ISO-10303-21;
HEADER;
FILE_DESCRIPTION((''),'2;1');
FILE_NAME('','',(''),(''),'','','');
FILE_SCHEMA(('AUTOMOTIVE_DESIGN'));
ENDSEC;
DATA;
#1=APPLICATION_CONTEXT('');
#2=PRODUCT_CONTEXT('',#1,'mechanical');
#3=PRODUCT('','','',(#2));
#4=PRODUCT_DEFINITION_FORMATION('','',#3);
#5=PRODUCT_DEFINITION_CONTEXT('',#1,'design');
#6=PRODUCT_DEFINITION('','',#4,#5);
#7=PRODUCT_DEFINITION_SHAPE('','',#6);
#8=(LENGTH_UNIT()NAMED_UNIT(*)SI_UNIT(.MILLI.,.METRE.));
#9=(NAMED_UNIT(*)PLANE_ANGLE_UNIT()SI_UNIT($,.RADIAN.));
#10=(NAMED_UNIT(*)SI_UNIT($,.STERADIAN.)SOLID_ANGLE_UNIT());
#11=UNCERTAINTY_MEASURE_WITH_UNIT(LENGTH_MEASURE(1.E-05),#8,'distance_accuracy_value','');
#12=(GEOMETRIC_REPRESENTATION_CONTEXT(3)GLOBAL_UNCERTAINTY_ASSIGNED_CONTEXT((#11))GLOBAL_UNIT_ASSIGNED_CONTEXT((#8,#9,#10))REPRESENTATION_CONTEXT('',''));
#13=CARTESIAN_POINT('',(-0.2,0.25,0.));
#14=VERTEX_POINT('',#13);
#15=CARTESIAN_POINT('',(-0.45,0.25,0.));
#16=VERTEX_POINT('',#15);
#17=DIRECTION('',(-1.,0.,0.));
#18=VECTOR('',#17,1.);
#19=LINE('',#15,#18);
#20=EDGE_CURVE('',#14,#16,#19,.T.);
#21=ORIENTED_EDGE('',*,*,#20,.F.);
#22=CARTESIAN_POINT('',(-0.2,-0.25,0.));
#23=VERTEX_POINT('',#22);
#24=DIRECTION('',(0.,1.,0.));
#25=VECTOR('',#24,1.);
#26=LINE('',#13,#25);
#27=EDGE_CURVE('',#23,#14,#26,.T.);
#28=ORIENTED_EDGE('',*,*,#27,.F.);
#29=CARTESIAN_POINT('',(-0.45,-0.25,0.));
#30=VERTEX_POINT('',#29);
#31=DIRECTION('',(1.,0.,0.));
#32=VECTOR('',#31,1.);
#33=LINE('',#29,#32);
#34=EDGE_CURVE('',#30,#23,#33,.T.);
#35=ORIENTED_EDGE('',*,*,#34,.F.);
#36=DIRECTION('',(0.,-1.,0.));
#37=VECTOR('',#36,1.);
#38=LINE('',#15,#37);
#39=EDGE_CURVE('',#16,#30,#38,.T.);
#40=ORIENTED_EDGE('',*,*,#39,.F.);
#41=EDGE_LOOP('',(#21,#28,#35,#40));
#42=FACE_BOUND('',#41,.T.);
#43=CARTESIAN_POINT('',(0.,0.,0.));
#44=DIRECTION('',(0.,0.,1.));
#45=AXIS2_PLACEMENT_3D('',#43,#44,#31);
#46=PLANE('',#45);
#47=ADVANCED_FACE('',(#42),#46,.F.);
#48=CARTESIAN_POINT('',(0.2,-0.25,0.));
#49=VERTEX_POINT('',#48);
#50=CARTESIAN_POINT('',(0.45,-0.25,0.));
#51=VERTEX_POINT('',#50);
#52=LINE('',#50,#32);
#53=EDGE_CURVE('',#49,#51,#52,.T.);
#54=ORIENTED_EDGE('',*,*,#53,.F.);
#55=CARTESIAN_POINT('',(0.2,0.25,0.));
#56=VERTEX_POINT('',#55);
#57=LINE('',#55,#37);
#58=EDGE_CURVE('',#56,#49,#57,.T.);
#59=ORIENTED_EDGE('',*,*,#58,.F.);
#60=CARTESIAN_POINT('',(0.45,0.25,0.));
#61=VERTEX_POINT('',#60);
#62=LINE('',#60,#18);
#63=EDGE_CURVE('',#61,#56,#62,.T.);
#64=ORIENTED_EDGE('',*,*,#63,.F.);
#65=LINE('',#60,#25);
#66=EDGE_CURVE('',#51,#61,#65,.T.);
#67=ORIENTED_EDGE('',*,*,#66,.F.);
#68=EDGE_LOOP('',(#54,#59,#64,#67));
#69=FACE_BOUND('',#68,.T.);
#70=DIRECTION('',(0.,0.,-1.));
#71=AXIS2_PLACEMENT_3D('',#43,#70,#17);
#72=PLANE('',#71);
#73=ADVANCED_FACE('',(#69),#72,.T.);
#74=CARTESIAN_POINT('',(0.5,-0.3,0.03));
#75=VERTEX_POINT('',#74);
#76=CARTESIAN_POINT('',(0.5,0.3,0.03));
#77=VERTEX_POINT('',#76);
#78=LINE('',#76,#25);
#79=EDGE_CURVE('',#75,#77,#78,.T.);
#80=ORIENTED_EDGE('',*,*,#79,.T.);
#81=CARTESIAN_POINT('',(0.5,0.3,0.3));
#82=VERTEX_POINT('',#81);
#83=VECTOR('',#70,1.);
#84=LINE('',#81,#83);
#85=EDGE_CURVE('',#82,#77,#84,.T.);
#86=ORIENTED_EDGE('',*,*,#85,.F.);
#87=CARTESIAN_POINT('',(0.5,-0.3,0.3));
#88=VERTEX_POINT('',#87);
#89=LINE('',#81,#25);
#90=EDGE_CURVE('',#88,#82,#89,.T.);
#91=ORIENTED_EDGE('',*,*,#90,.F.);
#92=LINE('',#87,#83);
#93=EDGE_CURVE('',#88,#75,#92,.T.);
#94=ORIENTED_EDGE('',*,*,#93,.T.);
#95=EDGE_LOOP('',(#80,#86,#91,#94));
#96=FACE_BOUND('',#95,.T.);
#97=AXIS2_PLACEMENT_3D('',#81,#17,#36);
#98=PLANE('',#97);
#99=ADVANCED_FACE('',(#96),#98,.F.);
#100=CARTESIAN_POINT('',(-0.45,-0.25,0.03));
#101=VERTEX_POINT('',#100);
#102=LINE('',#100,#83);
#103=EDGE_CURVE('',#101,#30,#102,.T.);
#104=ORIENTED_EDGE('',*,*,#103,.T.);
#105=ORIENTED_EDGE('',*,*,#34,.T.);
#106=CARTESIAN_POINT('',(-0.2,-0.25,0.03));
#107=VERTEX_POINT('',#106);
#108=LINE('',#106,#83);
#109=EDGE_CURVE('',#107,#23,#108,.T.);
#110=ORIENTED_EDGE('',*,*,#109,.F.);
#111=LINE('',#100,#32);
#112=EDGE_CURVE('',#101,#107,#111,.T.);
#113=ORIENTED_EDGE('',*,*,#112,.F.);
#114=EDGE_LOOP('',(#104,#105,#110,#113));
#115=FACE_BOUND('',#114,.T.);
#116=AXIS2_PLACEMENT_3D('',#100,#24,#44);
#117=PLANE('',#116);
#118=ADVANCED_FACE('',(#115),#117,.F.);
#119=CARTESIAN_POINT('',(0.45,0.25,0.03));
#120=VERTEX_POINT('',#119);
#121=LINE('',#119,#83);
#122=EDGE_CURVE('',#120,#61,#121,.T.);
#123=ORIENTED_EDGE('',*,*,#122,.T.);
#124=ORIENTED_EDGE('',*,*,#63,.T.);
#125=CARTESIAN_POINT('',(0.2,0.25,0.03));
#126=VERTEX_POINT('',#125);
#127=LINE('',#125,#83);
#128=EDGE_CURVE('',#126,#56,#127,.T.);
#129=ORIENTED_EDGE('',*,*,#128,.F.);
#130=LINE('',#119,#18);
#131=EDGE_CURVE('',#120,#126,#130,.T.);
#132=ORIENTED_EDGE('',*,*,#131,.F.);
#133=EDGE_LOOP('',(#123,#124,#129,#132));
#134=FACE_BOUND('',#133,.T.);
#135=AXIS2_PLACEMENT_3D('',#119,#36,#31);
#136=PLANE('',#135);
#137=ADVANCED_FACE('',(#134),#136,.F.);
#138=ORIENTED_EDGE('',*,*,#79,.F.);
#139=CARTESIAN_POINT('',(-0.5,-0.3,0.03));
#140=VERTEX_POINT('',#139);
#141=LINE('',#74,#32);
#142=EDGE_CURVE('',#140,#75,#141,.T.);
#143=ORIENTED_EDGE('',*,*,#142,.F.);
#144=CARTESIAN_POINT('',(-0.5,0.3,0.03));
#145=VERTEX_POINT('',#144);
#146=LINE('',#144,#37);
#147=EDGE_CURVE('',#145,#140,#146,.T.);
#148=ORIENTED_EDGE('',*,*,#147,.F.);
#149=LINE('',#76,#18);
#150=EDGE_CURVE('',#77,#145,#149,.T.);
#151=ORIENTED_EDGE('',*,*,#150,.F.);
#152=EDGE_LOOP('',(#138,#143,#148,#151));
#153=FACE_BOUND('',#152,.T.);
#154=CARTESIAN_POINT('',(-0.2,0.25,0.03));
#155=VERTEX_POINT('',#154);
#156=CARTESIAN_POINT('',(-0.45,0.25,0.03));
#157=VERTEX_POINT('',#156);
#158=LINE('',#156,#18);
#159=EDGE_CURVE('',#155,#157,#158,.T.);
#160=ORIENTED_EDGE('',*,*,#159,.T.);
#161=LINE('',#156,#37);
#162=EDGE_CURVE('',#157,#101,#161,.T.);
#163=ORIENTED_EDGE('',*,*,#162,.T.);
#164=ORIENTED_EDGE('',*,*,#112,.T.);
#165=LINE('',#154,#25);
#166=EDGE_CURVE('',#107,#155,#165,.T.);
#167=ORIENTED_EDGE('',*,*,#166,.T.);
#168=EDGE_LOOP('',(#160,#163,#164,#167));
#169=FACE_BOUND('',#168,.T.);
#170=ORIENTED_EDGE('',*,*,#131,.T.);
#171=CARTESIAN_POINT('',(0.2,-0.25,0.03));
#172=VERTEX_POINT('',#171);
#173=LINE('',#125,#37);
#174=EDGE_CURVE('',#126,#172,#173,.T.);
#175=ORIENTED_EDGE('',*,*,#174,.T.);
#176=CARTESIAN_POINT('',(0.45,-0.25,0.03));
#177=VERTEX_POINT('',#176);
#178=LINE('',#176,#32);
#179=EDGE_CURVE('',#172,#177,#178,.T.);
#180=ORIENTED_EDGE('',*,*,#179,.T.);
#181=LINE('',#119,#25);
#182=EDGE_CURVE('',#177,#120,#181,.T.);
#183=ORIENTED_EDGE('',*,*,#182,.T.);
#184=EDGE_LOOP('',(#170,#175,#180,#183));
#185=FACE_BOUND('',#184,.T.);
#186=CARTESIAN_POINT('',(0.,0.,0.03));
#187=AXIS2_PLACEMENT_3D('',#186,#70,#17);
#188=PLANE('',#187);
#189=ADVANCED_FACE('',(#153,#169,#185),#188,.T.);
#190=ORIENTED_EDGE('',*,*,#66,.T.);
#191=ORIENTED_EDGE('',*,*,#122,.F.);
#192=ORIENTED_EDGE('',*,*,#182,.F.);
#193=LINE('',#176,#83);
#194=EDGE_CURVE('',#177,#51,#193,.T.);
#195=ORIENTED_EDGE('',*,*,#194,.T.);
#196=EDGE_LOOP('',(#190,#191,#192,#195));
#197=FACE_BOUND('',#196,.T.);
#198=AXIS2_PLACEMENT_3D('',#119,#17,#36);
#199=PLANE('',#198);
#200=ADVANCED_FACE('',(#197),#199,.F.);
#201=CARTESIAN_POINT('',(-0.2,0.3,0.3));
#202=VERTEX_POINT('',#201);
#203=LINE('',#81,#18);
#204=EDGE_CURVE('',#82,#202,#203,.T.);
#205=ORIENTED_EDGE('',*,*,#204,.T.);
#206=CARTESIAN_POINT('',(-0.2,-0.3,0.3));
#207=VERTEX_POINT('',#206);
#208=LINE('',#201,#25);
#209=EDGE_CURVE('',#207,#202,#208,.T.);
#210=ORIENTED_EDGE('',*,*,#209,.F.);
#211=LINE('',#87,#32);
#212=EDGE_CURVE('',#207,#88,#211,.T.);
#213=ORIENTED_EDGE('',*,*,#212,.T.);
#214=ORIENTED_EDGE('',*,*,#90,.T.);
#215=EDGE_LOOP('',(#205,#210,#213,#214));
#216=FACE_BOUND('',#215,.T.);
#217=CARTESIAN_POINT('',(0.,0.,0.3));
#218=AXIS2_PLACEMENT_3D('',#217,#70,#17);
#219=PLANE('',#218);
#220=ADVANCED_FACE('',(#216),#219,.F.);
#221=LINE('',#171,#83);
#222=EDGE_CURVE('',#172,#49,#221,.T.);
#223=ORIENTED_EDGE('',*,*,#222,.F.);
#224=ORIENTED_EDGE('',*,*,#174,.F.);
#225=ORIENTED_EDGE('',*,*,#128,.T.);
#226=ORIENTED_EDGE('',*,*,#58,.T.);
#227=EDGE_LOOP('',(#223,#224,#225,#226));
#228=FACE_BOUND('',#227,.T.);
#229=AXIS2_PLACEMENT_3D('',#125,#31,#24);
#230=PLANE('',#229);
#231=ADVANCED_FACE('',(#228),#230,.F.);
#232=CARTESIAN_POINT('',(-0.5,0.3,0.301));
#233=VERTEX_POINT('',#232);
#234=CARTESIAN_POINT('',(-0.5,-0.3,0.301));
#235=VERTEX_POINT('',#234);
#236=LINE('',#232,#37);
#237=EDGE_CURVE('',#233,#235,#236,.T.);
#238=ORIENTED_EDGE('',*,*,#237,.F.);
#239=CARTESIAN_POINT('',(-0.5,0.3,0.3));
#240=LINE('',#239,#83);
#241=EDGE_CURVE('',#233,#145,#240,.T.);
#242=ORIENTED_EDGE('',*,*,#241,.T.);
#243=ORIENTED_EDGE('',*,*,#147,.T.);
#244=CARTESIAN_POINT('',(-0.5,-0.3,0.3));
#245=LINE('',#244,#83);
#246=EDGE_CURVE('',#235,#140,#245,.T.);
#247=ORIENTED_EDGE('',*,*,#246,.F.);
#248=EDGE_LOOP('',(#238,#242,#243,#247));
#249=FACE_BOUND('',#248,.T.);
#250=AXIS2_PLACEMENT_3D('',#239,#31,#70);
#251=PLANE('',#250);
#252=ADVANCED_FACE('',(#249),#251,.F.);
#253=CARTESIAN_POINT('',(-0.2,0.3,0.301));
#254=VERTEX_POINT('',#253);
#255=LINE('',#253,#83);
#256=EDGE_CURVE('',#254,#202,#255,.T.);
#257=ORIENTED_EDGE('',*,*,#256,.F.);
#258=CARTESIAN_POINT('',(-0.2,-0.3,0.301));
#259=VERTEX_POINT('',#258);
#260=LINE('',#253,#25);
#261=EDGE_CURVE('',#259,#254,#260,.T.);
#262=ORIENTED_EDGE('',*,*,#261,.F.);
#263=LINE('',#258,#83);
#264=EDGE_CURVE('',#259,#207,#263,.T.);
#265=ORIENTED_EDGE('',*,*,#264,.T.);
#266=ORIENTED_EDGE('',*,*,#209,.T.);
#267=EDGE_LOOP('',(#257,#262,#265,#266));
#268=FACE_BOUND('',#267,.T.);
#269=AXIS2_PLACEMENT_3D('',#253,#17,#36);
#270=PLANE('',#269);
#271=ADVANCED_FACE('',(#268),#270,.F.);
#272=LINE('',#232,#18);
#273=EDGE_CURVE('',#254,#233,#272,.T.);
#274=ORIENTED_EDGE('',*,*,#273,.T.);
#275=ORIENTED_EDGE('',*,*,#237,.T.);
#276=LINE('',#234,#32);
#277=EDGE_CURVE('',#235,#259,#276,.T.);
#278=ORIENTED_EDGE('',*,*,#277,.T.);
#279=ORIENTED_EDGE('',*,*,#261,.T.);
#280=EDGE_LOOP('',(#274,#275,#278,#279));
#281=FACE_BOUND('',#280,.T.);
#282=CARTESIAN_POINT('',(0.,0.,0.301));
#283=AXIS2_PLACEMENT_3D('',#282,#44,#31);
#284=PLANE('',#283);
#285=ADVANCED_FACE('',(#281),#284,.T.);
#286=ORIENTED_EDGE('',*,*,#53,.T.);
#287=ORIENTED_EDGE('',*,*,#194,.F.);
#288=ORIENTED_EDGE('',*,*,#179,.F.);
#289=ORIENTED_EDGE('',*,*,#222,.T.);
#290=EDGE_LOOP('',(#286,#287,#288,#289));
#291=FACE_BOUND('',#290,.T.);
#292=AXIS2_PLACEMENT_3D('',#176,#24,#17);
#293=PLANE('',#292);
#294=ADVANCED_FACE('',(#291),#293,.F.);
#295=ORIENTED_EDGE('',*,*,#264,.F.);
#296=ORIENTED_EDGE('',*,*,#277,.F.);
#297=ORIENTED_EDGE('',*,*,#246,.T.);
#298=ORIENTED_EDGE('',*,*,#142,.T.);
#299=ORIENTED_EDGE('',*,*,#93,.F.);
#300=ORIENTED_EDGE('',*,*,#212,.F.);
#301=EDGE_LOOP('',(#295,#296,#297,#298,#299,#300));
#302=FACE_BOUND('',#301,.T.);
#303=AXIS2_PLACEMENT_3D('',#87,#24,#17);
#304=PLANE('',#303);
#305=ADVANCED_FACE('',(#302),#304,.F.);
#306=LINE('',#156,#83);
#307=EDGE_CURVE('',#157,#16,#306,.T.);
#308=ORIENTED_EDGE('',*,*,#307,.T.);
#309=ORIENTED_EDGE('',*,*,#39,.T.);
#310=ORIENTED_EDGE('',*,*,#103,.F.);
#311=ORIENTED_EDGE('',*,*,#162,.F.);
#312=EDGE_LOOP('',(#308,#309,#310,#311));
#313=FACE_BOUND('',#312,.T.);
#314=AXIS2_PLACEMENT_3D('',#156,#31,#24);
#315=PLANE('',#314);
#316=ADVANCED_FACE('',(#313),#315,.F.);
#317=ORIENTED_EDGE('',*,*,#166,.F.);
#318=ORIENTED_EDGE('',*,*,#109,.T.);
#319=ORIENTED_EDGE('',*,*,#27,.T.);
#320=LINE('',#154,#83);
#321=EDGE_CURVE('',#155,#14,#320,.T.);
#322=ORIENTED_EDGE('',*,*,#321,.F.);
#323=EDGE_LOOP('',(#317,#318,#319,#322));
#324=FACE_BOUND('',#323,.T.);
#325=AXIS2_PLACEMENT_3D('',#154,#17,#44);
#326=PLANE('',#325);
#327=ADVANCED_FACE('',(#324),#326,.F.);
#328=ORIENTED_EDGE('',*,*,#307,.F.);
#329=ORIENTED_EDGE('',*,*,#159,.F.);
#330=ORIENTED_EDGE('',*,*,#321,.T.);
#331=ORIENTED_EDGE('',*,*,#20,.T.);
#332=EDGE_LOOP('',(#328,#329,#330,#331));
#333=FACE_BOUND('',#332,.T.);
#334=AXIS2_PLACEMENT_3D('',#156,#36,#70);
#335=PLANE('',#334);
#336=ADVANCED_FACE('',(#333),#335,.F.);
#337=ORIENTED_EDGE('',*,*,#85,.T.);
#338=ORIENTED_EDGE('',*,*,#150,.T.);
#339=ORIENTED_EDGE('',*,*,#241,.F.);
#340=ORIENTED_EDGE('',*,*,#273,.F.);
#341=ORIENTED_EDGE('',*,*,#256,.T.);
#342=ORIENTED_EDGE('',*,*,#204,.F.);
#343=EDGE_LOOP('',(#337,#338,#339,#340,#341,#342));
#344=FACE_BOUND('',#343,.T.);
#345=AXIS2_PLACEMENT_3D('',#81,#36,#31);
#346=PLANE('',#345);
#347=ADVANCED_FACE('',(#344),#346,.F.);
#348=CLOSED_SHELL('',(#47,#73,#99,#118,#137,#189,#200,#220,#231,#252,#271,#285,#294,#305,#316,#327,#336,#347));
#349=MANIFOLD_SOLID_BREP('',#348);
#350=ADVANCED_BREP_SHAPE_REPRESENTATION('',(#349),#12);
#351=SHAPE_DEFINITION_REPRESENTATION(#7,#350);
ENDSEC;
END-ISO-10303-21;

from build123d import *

# Parameters (mm, degrees)
ESQUISSE1_W  = 0.25
ESQUISSE1_H  = 0.5
PADS_DEPTH   = 0.03
PADS_2_DEPTH = 0.03
ESQUISSE2_W  = 1
ESQUISSE2_H  = 0.6
BODY_DEPTH   = 0.27
ESQUISSE3_W  = 0.3
ESQUISSE3_H  = 0.6
MARK_DEPTH   = 0.001


with BuildPart() as part:
    # Esquisse1 → pads (new body)
    with BuildSketch(Plane.XY):
        with Locations((-0.325, 0)):
            Rectangle(ESQUISSE1_W, ESQUISSE1_H)
    extrude(amount=PADS_DEPTH)



with BuildPart() as body_2:
    # Esquisse1 → pads 2 (new body)
    with BuildSketch(Plane.XY):
        with Locations((0.325, 0)):
            Rectangle(ESQUISSE1_W, ESQUISSE1_H)
    extrude(amount=PADS_2_DEPTH)


with BuildPart() as part_1:
    add(part.part)

    add(body_2.part)  # body merges body 2
    # Esquisse2 → body (add)
    with BuildSketch(Plane.XY.offset(0.03)):
        Rectangle(ESQUISSE2_W, ESQUISSE2_H)
    extrude(amount=BODY_DEPTH)

    # Esquisse3 → mark (add)
    with BuildSketch(Plane.XY.offset(0.3)):
        with Locations((-0.35, 0)):
            Rectangle(ESQUISSE3_W, ESQUISSE3_H)
    extrude(amount=MARK_DEPTH)


solid = part_1.part
